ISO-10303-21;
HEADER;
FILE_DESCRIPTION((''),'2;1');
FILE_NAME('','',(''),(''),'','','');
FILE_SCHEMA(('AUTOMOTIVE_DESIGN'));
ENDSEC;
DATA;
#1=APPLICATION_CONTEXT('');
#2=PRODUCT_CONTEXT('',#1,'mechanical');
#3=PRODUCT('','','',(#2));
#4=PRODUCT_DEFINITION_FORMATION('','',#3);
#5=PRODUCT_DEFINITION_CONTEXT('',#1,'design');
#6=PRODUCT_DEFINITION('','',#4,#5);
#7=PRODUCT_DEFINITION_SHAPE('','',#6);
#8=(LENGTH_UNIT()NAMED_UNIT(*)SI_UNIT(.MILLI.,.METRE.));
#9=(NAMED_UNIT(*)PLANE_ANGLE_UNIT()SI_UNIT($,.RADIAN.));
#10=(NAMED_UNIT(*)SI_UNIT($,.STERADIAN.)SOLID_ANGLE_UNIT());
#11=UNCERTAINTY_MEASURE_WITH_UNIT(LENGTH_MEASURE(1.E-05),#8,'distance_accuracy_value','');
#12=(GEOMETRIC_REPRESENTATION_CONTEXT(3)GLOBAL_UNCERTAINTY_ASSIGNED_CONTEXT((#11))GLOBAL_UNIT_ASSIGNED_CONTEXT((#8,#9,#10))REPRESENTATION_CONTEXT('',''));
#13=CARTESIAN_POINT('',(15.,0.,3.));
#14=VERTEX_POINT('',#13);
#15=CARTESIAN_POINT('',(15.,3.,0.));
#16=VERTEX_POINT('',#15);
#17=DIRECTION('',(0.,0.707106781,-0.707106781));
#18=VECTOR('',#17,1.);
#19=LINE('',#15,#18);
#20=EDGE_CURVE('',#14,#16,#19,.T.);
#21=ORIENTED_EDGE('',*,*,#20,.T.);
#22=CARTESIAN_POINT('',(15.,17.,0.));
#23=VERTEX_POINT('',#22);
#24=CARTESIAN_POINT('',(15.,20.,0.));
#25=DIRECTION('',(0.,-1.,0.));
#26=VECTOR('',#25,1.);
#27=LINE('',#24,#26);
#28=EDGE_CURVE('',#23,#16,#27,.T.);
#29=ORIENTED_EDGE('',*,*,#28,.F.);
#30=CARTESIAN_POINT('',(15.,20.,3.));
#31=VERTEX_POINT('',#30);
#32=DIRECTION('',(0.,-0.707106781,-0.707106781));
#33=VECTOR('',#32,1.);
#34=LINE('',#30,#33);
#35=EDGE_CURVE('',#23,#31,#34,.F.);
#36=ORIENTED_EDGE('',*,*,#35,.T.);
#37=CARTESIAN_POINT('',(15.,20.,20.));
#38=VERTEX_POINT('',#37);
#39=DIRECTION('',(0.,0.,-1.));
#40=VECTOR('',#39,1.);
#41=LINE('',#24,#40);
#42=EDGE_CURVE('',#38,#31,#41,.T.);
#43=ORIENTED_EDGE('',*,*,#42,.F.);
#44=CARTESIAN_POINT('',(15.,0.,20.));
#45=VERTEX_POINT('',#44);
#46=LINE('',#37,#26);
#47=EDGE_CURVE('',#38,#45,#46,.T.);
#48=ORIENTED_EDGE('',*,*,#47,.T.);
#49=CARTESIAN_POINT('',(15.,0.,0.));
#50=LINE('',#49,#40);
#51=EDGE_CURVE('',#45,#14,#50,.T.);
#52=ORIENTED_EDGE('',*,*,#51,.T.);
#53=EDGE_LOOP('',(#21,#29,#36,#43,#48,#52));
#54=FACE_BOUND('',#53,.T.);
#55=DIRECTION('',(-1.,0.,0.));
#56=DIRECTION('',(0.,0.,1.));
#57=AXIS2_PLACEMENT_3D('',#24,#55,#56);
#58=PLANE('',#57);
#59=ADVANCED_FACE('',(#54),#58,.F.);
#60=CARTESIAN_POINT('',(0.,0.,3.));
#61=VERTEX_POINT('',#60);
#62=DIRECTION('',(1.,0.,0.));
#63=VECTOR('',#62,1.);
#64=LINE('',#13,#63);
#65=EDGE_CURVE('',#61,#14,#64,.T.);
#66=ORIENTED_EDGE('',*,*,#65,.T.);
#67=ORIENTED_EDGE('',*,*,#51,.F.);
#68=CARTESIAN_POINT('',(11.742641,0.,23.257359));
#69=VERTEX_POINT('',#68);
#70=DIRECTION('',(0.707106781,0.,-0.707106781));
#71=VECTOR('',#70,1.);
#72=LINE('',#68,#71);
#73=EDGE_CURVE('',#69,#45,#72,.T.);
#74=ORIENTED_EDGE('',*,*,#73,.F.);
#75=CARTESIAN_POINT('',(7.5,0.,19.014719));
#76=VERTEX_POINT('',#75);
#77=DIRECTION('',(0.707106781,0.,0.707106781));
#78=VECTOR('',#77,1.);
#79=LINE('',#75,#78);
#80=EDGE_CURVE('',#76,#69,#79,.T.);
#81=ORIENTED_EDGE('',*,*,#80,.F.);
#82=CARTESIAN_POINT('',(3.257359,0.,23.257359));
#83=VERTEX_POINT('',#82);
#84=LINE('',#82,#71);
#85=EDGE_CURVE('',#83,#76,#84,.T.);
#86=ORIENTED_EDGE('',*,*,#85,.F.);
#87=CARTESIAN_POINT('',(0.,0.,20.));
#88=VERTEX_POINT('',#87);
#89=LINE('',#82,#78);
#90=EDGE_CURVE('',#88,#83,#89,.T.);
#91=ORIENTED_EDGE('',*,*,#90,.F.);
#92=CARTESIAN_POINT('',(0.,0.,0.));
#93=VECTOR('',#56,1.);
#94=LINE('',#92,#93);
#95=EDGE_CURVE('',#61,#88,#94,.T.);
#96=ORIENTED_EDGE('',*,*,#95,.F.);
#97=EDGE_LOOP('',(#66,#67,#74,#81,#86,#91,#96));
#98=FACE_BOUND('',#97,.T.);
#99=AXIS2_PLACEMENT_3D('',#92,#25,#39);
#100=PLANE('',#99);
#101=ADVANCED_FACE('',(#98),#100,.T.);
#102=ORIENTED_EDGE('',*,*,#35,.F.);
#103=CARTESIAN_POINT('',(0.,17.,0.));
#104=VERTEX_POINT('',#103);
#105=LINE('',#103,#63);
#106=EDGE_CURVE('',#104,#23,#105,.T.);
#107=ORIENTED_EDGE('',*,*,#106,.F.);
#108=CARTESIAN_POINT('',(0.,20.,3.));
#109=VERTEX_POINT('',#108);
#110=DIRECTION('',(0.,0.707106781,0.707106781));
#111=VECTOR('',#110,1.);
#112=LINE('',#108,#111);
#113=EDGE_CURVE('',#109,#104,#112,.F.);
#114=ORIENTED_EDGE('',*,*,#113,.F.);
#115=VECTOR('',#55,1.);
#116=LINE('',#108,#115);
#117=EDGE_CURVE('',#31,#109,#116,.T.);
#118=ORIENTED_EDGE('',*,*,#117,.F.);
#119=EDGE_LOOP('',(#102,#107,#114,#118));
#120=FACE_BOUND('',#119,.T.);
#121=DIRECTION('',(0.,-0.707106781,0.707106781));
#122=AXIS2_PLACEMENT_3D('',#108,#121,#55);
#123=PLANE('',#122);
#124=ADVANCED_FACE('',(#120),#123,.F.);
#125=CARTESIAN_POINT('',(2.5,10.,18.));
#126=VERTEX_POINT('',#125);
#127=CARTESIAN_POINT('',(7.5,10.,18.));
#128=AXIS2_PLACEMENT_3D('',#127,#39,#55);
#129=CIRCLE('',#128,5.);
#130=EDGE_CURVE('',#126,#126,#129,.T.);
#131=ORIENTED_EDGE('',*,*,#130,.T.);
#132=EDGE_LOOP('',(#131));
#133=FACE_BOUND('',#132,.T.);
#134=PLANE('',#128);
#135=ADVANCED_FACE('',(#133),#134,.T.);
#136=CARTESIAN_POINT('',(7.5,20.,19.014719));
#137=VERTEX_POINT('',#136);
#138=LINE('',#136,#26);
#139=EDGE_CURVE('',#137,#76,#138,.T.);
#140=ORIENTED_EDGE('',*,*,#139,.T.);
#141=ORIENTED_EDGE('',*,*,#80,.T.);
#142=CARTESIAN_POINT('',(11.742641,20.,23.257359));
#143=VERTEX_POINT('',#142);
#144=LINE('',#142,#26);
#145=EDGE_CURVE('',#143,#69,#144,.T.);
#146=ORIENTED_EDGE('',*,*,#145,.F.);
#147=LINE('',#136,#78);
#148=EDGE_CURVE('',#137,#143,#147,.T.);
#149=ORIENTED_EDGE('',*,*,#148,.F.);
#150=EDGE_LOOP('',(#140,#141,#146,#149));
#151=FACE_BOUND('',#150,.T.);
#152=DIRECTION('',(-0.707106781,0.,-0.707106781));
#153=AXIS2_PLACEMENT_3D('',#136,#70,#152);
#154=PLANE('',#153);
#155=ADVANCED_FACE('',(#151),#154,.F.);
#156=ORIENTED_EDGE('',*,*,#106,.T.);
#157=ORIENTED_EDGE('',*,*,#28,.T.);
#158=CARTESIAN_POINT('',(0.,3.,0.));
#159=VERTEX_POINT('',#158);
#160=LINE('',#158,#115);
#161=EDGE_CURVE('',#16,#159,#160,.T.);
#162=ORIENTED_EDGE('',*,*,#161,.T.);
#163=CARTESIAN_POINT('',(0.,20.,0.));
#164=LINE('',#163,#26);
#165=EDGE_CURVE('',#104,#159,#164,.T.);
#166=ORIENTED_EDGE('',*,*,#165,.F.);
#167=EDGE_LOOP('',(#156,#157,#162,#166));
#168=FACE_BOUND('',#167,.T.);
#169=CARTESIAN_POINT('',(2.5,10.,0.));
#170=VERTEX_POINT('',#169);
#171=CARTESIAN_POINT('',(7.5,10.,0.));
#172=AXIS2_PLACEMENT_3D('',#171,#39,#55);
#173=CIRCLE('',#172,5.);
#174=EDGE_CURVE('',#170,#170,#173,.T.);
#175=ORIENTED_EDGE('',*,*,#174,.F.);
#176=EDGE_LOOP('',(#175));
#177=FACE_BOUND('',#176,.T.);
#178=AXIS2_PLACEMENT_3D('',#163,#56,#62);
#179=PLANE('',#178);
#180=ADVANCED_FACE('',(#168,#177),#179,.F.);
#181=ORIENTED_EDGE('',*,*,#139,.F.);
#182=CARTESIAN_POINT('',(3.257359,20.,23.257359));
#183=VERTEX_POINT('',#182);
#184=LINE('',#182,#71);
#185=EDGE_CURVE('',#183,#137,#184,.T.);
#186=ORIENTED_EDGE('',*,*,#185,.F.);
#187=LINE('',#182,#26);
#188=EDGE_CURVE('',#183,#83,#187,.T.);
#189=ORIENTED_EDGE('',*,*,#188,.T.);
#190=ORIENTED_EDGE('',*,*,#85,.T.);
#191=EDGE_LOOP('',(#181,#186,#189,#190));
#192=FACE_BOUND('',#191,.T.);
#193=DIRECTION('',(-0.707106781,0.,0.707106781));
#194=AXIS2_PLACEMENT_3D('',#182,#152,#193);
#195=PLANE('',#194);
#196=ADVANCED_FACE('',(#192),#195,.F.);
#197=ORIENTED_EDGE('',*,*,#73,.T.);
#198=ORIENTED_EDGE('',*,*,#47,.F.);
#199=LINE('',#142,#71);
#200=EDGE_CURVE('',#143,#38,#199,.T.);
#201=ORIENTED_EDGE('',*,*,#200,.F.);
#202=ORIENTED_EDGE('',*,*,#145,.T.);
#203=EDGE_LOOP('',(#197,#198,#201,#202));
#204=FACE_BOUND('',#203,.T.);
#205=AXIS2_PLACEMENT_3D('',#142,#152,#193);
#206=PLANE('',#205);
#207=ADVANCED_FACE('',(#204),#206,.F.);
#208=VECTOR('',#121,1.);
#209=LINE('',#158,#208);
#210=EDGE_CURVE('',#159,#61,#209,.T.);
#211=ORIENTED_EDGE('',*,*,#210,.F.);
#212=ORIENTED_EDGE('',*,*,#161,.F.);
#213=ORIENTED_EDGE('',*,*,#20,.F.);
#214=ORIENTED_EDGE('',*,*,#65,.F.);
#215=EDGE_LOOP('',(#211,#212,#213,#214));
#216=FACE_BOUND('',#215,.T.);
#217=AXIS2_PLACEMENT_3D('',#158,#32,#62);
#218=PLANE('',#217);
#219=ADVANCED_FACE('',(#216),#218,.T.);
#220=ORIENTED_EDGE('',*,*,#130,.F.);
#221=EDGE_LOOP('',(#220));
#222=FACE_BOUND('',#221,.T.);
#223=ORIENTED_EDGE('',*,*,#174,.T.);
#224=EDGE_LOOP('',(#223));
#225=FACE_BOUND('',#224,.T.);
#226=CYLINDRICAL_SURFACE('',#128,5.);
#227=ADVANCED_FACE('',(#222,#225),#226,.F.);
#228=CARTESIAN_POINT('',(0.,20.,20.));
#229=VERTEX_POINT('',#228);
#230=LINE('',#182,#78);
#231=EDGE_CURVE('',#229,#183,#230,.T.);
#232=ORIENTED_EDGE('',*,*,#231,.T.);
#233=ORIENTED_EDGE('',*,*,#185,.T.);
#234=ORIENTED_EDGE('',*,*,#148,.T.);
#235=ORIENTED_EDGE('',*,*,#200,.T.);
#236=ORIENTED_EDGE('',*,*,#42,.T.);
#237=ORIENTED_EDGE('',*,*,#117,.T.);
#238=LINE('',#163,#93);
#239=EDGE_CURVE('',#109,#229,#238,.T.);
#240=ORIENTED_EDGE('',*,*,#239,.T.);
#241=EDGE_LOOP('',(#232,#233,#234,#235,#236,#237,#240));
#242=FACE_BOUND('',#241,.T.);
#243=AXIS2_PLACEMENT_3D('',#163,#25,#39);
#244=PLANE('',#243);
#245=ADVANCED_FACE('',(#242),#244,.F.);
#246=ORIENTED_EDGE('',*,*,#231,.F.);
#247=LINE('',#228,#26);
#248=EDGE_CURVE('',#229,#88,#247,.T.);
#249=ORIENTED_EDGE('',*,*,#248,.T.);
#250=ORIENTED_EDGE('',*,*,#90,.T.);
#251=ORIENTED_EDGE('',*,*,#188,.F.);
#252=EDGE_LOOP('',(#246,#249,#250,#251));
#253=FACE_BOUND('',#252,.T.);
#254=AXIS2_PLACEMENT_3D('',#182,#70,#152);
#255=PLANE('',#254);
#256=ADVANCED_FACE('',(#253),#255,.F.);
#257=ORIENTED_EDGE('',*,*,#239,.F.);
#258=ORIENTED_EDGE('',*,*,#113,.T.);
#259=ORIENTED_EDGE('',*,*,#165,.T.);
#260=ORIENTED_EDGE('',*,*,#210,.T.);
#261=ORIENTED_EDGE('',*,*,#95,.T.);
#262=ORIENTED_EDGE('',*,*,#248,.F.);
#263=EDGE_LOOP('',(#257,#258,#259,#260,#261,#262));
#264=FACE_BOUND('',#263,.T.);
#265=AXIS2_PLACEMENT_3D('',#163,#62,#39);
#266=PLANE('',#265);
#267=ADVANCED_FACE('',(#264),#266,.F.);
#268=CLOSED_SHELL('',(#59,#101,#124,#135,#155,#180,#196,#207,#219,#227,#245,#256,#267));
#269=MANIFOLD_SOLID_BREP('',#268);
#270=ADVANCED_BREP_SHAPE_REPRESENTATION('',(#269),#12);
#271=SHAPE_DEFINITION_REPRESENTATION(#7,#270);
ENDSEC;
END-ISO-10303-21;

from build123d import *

# Parameters (mm, degrees)
EXTRUDE_1_DEPTH     = 20
SKETCH_2_R          = 5
CUT_EXTRUDE_1_DEPTH = 18
CHAMFER_1_SIZE      = 3


with BuildPart() as part:
    # 草圖1 → 填料-伸長1 (new body)
    with BuildSketch(Plane(origin=(0, 0, 0), x_dir=(1, 0, 0), z_dir=(0, 1, 0))):
        Polygon((0, 0), (0, -20), (3.257359313, -23.257359313), (7.5, -19.014718626), (11.742640687, -23.257359313), (15, -20), (15, 0), align=None)
    extrude(amount=EXTRUDE_1_DEPTH)

    # 草圖2 → 除料-伸長1 (cut)
    with BuildSketch(Plane(origin=(0, 0, 0), x_dir=(-1, 0, 0), z_dir=(0, 0, -1))):
        with Locations((-7.5, 10)):
            Circle(SKETCH_2_R)
    extrude(amount=-CUT_EXTRUDE_1_DEPTH, mode=Mode.SUBTRACT)

    # 導角1
    chamfer_1_edges = [part.edges().sort_by_distance(p)[0] for p in [
        (7.5, 20, 0),
        (7.5, 0, 0),
    ]]
    chamfer(chamfer_1_edges, length=CHAMFER_1_SIZE)


solid = part.part
